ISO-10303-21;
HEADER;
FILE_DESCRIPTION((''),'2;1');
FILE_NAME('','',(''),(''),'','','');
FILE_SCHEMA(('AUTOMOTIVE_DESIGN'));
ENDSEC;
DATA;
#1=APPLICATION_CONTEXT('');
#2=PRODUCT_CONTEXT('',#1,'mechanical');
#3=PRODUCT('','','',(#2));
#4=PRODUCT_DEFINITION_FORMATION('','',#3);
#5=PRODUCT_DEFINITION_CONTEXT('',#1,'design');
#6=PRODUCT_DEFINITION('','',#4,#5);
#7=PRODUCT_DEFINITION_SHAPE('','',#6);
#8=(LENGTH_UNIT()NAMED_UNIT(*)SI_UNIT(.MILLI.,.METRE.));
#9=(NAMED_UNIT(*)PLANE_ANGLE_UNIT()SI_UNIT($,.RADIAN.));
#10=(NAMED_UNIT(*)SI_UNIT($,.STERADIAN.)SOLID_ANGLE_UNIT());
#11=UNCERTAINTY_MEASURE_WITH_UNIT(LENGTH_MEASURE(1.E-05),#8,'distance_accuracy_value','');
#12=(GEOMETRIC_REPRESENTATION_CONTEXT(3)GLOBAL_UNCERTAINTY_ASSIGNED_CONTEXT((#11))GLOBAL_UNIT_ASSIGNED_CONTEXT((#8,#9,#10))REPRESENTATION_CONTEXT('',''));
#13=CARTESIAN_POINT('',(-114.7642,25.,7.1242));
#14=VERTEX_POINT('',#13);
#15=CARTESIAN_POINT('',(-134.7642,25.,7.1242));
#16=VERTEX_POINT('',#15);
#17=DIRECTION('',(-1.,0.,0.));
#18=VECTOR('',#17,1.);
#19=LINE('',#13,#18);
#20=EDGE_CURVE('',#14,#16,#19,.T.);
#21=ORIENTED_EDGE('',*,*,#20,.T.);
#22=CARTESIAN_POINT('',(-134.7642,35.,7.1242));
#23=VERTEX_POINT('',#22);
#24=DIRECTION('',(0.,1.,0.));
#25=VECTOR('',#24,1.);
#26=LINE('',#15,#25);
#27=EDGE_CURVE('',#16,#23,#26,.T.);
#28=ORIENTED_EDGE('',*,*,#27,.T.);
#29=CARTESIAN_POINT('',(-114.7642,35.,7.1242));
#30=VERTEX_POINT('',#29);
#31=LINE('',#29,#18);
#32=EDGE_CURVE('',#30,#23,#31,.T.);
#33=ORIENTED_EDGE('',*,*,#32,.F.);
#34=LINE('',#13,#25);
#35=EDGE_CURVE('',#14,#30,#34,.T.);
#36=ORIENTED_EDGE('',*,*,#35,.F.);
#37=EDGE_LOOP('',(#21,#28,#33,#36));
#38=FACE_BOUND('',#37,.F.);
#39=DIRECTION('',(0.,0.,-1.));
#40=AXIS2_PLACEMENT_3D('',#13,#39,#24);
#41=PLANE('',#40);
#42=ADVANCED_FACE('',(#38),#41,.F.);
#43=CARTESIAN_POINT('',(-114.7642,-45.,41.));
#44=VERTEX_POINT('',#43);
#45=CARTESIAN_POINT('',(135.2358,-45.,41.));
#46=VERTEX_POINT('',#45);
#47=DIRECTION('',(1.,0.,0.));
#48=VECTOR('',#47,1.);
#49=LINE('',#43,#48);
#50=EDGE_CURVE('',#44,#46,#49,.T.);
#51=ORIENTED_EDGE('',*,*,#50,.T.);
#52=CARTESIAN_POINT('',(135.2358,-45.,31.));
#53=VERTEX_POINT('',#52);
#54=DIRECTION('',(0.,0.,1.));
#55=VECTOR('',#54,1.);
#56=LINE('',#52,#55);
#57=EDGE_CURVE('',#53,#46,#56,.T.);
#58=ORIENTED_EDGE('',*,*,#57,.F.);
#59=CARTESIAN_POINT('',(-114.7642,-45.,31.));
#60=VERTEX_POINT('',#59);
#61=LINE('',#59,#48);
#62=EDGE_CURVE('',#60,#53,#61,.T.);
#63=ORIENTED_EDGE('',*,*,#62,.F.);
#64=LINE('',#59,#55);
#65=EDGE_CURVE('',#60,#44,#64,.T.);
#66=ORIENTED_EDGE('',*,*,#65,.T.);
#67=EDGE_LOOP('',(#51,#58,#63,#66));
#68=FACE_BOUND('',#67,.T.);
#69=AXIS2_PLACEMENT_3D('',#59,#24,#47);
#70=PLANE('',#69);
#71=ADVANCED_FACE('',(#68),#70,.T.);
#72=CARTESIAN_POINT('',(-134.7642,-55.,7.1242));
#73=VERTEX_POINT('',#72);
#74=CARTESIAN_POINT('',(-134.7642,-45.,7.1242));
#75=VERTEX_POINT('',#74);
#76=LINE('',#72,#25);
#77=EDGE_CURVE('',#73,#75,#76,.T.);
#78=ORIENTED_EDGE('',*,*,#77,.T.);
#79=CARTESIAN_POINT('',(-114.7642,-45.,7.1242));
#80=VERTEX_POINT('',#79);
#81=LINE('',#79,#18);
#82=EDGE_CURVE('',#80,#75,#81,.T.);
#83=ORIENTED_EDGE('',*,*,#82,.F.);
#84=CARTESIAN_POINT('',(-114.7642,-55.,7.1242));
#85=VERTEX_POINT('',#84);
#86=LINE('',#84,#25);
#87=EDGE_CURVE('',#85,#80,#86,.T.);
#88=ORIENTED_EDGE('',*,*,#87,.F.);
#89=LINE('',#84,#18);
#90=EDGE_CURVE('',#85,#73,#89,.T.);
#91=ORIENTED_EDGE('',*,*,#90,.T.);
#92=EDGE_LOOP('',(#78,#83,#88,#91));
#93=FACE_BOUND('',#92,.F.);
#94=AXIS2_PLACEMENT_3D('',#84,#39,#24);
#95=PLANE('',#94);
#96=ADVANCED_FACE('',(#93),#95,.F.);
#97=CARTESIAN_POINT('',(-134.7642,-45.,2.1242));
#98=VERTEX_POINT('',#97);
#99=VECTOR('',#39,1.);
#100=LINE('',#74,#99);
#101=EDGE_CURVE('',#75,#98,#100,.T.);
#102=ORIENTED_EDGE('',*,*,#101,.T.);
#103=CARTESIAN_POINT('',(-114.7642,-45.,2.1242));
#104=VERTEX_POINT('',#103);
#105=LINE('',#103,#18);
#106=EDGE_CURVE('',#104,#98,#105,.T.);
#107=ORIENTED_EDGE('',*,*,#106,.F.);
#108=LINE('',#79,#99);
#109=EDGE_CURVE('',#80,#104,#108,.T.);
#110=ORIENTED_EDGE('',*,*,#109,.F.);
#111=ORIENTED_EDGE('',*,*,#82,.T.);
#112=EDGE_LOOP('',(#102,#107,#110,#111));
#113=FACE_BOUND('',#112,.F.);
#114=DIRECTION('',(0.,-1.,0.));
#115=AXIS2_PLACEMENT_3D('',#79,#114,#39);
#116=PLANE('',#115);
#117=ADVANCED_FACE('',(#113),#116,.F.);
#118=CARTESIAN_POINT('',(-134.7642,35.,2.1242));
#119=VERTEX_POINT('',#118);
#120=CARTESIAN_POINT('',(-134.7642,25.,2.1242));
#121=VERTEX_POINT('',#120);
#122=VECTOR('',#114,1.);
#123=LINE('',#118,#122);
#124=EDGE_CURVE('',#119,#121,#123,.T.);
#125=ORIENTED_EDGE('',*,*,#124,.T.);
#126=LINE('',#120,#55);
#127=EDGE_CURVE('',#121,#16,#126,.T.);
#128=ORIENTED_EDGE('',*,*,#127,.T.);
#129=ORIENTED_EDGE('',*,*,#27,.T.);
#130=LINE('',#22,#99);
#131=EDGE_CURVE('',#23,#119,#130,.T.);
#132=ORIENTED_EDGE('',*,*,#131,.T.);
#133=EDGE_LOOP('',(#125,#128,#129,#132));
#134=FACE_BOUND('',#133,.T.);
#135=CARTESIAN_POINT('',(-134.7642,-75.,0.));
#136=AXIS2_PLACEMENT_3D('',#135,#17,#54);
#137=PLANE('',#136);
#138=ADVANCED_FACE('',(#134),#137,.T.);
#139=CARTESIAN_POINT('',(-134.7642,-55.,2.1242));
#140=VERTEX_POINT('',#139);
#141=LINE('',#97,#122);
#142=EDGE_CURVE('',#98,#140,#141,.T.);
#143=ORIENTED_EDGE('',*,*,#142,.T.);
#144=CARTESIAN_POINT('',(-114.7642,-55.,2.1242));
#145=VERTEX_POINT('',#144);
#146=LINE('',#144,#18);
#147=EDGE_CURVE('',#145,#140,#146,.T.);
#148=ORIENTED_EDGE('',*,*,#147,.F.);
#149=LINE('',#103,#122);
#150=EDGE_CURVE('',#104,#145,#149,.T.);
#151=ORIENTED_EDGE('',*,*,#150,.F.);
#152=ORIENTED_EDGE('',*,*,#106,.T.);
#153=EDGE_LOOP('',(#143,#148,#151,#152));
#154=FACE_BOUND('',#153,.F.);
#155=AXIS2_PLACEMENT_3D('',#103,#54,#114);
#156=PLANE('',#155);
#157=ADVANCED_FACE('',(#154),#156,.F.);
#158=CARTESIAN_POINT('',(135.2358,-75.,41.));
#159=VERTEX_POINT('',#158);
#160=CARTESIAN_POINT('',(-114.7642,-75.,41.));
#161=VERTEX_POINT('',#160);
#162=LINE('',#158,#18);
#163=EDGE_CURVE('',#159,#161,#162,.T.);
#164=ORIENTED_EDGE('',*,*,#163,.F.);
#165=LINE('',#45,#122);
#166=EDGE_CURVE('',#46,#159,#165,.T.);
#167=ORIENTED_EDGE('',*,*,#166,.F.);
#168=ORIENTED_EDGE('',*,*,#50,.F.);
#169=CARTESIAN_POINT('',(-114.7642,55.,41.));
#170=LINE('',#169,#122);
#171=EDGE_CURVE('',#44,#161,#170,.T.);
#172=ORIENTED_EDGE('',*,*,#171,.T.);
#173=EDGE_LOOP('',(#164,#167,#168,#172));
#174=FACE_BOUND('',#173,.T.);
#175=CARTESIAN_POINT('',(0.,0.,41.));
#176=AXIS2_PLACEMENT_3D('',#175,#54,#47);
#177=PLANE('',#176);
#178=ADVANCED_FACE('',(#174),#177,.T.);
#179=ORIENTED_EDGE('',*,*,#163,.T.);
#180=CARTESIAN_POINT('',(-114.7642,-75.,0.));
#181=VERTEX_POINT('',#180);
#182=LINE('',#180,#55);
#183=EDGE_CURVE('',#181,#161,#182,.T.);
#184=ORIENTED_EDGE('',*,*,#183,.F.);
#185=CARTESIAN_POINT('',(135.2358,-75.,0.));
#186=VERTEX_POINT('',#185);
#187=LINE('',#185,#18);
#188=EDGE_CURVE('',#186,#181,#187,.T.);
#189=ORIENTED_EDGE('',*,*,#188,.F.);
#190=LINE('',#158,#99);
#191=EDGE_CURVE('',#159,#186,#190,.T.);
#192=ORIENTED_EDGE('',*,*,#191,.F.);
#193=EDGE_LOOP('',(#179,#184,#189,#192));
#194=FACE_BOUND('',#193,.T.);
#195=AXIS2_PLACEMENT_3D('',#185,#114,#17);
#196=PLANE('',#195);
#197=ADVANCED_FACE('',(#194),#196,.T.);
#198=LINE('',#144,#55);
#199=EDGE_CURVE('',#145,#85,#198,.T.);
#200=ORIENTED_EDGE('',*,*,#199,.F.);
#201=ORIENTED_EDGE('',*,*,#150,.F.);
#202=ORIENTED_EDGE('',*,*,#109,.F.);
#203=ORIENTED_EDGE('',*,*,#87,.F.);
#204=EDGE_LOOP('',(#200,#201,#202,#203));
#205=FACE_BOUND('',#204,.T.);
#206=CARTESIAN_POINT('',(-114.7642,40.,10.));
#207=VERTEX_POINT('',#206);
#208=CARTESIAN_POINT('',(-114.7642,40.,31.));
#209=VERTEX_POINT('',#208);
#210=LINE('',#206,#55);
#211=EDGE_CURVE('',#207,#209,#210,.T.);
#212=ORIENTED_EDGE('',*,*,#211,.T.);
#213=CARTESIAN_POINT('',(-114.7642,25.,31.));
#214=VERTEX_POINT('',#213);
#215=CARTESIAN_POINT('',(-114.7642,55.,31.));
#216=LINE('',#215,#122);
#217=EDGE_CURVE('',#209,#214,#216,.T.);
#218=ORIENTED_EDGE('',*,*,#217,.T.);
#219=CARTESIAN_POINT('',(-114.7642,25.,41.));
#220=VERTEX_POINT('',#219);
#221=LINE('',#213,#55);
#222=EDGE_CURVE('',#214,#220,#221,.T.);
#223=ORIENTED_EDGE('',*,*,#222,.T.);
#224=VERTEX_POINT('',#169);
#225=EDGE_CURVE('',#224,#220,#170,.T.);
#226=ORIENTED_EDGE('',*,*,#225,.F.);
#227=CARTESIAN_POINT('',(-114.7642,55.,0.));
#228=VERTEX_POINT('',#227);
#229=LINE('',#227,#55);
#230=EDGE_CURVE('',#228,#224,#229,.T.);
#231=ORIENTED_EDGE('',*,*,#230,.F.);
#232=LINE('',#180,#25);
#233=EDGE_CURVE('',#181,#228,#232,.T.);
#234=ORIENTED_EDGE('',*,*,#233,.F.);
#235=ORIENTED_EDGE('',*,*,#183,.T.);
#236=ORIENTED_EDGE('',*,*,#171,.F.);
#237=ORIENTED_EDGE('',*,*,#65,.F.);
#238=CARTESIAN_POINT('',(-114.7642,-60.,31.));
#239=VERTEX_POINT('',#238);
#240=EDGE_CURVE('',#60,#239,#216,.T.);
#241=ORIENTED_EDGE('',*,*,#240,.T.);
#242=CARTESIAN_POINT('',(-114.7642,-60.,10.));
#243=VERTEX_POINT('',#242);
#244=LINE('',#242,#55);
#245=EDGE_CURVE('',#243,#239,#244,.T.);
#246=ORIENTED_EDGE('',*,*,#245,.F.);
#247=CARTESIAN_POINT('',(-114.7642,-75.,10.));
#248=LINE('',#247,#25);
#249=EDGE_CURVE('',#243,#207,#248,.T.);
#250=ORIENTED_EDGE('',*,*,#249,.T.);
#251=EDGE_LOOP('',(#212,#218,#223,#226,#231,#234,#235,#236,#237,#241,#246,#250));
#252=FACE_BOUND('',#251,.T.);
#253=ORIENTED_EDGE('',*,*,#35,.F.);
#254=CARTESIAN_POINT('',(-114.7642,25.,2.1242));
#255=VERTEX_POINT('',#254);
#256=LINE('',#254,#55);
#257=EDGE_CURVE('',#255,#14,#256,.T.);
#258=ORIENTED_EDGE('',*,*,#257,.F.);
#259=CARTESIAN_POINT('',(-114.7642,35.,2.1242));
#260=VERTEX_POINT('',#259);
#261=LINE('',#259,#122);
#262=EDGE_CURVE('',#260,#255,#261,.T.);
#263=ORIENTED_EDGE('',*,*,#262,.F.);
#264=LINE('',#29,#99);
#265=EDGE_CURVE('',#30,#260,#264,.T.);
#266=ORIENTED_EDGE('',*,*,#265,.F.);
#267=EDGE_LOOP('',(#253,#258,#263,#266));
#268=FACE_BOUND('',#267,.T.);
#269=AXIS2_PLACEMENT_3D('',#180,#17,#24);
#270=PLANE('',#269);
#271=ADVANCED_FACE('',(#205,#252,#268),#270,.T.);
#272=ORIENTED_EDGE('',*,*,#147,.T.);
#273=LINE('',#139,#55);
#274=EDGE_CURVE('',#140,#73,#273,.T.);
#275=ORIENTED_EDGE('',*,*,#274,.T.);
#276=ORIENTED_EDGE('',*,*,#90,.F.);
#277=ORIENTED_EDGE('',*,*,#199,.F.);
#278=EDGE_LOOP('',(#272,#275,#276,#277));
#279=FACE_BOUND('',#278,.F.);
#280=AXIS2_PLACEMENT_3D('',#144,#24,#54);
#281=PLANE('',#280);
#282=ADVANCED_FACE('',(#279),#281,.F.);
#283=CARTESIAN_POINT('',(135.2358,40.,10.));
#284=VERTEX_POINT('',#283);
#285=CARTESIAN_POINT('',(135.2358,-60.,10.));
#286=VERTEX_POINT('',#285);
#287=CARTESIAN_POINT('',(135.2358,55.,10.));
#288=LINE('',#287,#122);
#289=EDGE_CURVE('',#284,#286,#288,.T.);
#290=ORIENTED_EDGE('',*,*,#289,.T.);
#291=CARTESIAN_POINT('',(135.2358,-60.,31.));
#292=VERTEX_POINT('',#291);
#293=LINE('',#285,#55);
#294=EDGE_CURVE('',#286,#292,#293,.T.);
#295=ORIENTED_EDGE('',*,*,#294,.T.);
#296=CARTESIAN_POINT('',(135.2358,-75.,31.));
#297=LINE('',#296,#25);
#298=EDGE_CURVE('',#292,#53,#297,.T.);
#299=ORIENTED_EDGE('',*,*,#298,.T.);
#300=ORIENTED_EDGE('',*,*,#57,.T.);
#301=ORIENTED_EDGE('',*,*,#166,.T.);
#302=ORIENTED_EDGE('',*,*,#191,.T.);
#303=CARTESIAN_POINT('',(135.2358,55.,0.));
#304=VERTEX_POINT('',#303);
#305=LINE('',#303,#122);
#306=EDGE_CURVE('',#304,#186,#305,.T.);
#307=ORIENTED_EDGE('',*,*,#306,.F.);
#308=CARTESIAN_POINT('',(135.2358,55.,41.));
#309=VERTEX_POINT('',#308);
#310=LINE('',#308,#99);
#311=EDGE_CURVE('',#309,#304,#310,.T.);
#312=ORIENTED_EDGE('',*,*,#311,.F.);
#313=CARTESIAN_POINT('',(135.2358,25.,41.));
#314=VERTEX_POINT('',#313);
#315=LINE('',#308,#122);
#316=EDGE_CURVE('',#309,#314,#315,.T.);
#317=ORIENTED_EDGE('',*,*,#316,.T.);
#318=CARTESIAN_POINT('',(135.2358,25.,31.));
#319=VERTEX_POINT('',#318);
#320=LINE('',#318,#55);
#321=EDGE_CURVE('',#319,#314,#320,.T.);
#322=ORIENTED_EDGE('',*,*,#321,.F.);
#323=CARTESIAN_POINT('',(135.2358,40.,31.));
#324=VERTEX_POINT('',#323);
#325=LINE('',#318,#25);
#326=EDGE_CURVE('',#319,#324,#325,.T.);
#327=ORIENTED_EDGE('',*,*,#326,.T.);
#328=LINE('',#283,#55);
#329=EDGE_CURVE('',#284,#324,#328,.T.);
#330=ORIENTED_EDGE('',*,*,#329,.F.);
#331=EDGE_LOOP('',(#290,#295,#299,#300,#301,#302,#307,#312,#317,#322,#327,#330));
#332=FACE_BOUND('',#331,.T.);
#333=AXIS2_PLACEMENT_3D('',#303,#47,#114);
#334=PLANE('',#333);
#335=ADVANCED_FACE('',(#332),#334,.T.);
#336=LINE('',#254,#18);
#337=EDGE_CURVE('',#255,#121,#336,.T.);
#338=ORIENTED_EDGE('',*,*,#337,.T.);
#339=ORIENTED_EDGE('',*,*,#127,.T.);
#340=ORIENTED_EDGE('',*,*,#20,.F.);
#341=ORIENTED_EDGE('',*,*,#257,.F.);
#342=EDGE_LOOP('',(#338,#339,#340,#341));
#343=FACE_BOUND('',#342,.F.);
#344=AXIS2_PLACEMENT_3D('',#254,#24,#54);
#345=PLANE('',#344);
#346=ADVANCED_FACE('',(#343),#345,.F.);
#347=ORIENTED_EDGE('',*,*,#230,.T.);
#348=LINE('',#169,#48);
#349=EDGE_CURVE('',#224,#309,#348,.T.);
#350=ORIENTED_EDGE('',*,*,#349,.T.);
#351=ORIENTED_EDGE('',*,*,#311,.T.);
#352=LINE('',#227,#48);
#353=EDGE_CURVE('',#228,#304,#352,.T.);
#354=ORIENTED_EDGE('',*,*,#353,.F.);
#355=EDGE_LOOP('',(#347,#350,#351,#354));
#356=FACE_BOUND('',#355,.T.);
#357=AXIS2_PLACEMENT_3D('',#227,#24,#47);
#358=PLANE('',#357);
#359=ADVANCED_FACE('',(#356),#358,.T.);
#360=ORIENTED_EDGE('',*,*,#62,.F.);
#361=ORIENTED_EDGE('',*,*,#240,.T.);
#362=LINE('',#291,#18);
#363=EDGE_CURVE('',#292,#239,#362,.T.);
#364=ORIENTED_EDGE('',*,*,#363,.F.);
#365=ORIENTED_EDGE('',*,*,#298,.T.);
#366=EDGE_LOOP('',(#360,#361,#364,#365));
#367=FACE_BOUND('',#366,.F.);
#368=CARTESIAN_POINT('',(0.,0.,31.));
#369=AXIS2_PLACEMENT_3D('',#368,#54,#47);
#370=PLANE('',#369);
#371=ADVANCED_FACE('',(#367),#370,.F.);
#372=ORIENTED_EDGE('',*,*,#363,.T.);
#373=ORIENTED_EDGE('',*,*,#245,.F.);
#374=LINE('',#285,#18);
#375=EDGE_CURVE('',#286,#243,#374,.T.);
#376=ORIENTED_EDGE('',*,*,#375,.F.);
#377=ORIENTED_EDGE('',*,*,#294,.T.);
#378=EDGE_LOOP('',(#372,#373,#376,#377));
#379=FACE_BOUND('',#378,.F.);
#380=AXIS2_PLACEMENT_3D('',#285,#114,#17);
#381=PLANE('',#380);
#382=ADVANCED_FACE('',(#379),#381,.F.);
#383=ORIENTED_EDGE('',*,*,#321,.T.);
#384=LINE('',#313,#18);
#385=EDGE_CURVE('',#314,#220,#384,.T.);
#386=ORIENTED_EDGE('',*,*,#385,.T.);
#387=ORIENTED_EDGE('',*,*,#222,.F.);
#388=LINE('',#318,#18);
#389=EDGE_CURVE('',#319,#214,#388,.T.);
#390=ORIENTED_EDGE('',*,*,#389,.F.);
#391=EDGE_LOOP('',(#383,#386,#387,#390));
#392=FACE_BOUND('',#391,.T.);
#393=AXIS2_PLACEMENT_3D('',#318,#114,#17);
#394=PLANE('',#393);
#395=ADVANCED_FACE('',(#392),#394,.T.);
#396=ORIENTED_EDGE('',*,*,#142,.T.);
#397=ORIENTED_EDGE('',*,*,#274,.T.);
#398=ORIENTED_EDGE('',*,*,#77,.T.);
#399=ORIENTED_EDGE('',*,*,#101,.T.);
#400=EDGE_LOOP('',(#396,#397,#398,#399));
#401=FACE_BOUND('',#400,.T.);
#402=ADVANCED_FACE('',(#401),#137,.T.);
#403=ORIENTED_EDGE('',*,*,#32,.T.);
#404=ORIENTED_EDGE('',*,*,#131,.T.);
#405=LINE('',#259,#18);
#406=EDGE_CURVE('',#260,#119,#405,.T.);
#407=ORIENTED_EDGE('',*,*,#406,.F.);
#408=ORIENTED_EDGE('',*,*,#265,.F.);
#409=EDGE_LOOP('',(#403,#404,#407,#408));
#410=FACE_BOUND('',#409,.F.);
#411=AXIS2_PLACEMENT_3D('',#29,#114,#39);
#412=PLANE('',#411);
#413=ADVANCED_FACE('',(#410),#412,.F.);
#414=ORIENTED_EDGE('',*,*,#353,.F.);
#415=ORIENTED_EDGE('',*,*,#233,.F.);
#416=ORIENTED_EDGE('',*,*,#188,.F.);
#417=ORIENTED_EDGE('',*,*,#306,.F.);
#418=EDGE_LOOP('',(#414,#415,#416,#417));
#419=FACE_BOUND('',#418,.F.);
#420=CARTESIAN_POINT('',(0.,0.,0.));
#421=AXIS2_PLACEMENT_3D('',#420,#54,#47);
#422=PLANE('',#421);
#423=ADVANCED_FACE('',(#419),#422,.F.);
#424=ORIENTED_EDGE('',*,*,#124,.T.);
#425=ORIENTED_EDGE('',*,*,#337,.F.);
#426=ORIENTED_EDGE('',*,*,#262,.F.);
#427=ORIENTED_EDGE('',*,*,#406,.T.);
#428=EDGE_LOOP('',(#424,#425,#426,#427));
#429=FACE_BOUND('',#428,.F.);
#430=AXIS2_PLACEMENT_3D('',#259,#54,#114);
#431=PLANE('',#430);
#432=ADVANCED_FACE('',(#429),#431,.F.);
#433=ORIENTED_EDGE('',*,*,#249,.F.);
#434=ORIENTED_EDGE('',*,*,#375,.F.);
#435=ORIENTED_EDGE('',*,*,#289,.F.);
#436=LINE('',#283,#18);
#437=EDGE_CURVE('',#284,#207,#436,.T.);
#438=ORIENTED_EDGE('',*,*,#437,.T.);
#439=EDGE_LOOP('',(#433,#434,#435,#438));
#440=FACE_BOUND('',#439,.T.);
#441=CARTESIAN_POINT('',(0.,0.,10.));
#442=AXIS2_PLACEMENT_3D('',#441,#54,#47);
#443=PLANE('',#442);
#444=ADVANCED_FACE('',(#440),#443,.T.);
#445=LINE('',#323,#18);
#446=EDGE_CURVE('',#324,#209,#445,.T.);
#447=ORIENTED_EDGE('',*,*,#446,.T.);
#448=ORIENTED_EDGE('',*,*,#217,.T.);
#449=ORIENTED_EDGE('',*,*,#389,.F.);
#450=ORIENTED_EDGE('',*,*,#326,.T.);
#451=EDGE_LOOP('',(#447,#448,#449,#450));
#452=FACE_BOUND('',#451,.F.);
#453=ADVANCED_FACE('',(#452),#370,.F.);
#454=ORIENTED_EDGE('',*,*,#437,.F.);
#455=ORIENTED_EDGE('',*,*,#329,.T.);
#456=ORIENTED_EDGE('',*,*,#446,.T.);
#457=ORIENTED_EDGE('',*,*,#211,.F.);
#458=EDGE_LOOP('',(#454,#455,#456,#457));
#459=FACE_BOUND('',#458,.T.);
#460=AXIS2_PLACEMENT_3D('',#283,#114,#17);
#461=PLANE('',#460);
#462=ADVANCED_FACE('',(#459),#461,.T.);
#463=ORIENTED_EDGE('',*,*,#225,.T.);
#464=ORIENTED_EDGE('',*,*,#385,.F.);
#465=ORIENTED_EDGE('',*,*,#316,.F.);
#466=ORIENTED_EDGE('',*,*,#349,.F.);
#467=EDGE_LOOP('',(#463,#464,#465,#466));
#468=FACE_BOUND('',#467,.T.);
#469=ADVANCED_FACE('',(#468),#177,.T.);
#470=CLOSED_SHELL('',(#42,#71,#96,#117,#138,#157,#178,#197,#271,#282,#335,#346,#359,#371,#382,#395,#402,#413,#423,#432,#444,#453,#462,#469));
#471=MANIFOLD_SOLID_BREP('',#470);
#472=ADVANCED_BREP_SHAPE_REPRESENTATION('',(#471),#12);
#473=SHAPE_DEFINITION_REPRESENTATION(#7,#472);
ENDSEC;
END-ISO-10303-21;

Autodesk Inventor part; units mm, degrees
ref_plane "YZ Plane" through (0, 0, 0) normal (1, 0, 0) x (0, 1, 0)
ref_plane "XZ Plane" through (0, 0, 0) normal (0, 1, 0) x (-1, 0, 0)
ref_plane "XY Plane" through (0, 0, 0) normal (0, 0, 1) x (1, 0, 0)
sketch "Sketch1" plane through (0, 0, 0) normal (0, 0, 1) x (1, 0, 0)
  line L0 (-114.7642, 55) -> (135.2358, 55)
  line L1 (135.2358, 55) -> (135.2358, -75)
  line L2 (135.2358, -75) -> (-114.7642, -75)
  line L3 (-114.7642, -75) -> (-114.7642, 55)
  point P0 (0, 0)
  dimension "d0" = 250
  dimension "d1" = 130
extrude "Extrusion1" add sketch "Sketch1" along normal blind 10
sketch "Sketch2" plane through (0, 0, 10) normal (0, 0, 1) x (1, 0, 0)
  line L0 (135.2358, 55) -> (-114.7642, 55) projected
  line L1 (135.2358, -75) -> (135.2358, 55) projected
  line L2 (-114.7642, 55) -> (135.2358, 55)
  line L3 (135.2358, 55) -> (135.2358, 40)
  line L4 (135.2358, 40) -> (-114.7642, 40)
  line L5 (-114.7642, 40) -> (-114.7642, 55)
  line L6 (-114.7642, -75) -> (135.2358, -75)
  line L7 (135.2358, -75) -> (135.2358, -60)
  line L8 (135.2358, -60) -> (-114.7642, -60)
  line L9 (-114.7642, -60) -> (-114.7642, -75)
  point P0 (0, 0)
  dimension "d4" = 15
  dimension "d5" = 15
extrude "Extrusion2" add sketch "Sketch2" along normal blind 21
sketch "Sketch3" plane through (0, 0, 31) normal (0, 0, 1) x (1, 0, 0)
  line L0 (-114.7642, 55) -> (-114.7642, -75) projected
  line L1 (135.2358, -60) -> (135.2358, 40) projected
  line L2 (-114.7642, 55) -> (135.2358, 55)
  line L3 (135.2358, 55) -> (135.2358, 25)
  line L4 (135.2358, 25) -> (-114.7642, 25)
  line L5 (-114.7642, 25) -> (-114.7642, 55)
  line L6 (135.2358, -75) -> (135.2358, -60) projected
  line L7 (135.2358, -75) -> (-114.7642, -75)
  line L8 (-114.7642, -75) -> (-114.7642, -45)
  line L9 (-114.7642, -45) -> (135.2358, -45)
  line L10 (135.2358, -45) -> (135.2358, -75)
  point P0 (0, 0)
  point P1 (-114.7642, -45)
  dimension "d8" = 30
  dimension "d9" = 30
extrude "Extrusion3" add sketch "Sketch3" along normal blind 10 contours L2 L3 L1 L4 L0 | L9 L1 L6 L7 L0
sketch "Sketch4" plane through (-114.7642, -75, 0) normal (-1, 0, 0) x (0, 0, 1)
  line L0 (7.1242, 110) -> (2.1242, 110)
  line L1 (2.1242, 110) -> (2.1242, 100)
  line L2 (2.1242, 100) -> (7.1242, 100)
  line L3 (7.1242, 100) -> (7.1242, 110)
  line L4 (7.1242, 30) -> (2.1242, 30)
  line L5 (2.1242, 30) -> (2.1242, 20)
  line L6 (2.1242, 20) -> (7.1242, 20)
  line L7 (7.1242, 20) -> (7.1242, 30)
  line L8 (31, 100) -> (41, 100) projected
  line L9 (31, 30) -> (41, 30) projected
  point P0 (0, 75)
  dimension "d12" = 5
  dimension "d13" = 10
  dimension "d14" = 10
  dimension "d15" = 0
  dimension "d16" = 0
extrude "Extrusion4" add sketch "Sketch4" along normal blind 20
equation "\"d5\" = d4"
equation "\"d9\" = d8"
properties part number "Part2_with_things"
